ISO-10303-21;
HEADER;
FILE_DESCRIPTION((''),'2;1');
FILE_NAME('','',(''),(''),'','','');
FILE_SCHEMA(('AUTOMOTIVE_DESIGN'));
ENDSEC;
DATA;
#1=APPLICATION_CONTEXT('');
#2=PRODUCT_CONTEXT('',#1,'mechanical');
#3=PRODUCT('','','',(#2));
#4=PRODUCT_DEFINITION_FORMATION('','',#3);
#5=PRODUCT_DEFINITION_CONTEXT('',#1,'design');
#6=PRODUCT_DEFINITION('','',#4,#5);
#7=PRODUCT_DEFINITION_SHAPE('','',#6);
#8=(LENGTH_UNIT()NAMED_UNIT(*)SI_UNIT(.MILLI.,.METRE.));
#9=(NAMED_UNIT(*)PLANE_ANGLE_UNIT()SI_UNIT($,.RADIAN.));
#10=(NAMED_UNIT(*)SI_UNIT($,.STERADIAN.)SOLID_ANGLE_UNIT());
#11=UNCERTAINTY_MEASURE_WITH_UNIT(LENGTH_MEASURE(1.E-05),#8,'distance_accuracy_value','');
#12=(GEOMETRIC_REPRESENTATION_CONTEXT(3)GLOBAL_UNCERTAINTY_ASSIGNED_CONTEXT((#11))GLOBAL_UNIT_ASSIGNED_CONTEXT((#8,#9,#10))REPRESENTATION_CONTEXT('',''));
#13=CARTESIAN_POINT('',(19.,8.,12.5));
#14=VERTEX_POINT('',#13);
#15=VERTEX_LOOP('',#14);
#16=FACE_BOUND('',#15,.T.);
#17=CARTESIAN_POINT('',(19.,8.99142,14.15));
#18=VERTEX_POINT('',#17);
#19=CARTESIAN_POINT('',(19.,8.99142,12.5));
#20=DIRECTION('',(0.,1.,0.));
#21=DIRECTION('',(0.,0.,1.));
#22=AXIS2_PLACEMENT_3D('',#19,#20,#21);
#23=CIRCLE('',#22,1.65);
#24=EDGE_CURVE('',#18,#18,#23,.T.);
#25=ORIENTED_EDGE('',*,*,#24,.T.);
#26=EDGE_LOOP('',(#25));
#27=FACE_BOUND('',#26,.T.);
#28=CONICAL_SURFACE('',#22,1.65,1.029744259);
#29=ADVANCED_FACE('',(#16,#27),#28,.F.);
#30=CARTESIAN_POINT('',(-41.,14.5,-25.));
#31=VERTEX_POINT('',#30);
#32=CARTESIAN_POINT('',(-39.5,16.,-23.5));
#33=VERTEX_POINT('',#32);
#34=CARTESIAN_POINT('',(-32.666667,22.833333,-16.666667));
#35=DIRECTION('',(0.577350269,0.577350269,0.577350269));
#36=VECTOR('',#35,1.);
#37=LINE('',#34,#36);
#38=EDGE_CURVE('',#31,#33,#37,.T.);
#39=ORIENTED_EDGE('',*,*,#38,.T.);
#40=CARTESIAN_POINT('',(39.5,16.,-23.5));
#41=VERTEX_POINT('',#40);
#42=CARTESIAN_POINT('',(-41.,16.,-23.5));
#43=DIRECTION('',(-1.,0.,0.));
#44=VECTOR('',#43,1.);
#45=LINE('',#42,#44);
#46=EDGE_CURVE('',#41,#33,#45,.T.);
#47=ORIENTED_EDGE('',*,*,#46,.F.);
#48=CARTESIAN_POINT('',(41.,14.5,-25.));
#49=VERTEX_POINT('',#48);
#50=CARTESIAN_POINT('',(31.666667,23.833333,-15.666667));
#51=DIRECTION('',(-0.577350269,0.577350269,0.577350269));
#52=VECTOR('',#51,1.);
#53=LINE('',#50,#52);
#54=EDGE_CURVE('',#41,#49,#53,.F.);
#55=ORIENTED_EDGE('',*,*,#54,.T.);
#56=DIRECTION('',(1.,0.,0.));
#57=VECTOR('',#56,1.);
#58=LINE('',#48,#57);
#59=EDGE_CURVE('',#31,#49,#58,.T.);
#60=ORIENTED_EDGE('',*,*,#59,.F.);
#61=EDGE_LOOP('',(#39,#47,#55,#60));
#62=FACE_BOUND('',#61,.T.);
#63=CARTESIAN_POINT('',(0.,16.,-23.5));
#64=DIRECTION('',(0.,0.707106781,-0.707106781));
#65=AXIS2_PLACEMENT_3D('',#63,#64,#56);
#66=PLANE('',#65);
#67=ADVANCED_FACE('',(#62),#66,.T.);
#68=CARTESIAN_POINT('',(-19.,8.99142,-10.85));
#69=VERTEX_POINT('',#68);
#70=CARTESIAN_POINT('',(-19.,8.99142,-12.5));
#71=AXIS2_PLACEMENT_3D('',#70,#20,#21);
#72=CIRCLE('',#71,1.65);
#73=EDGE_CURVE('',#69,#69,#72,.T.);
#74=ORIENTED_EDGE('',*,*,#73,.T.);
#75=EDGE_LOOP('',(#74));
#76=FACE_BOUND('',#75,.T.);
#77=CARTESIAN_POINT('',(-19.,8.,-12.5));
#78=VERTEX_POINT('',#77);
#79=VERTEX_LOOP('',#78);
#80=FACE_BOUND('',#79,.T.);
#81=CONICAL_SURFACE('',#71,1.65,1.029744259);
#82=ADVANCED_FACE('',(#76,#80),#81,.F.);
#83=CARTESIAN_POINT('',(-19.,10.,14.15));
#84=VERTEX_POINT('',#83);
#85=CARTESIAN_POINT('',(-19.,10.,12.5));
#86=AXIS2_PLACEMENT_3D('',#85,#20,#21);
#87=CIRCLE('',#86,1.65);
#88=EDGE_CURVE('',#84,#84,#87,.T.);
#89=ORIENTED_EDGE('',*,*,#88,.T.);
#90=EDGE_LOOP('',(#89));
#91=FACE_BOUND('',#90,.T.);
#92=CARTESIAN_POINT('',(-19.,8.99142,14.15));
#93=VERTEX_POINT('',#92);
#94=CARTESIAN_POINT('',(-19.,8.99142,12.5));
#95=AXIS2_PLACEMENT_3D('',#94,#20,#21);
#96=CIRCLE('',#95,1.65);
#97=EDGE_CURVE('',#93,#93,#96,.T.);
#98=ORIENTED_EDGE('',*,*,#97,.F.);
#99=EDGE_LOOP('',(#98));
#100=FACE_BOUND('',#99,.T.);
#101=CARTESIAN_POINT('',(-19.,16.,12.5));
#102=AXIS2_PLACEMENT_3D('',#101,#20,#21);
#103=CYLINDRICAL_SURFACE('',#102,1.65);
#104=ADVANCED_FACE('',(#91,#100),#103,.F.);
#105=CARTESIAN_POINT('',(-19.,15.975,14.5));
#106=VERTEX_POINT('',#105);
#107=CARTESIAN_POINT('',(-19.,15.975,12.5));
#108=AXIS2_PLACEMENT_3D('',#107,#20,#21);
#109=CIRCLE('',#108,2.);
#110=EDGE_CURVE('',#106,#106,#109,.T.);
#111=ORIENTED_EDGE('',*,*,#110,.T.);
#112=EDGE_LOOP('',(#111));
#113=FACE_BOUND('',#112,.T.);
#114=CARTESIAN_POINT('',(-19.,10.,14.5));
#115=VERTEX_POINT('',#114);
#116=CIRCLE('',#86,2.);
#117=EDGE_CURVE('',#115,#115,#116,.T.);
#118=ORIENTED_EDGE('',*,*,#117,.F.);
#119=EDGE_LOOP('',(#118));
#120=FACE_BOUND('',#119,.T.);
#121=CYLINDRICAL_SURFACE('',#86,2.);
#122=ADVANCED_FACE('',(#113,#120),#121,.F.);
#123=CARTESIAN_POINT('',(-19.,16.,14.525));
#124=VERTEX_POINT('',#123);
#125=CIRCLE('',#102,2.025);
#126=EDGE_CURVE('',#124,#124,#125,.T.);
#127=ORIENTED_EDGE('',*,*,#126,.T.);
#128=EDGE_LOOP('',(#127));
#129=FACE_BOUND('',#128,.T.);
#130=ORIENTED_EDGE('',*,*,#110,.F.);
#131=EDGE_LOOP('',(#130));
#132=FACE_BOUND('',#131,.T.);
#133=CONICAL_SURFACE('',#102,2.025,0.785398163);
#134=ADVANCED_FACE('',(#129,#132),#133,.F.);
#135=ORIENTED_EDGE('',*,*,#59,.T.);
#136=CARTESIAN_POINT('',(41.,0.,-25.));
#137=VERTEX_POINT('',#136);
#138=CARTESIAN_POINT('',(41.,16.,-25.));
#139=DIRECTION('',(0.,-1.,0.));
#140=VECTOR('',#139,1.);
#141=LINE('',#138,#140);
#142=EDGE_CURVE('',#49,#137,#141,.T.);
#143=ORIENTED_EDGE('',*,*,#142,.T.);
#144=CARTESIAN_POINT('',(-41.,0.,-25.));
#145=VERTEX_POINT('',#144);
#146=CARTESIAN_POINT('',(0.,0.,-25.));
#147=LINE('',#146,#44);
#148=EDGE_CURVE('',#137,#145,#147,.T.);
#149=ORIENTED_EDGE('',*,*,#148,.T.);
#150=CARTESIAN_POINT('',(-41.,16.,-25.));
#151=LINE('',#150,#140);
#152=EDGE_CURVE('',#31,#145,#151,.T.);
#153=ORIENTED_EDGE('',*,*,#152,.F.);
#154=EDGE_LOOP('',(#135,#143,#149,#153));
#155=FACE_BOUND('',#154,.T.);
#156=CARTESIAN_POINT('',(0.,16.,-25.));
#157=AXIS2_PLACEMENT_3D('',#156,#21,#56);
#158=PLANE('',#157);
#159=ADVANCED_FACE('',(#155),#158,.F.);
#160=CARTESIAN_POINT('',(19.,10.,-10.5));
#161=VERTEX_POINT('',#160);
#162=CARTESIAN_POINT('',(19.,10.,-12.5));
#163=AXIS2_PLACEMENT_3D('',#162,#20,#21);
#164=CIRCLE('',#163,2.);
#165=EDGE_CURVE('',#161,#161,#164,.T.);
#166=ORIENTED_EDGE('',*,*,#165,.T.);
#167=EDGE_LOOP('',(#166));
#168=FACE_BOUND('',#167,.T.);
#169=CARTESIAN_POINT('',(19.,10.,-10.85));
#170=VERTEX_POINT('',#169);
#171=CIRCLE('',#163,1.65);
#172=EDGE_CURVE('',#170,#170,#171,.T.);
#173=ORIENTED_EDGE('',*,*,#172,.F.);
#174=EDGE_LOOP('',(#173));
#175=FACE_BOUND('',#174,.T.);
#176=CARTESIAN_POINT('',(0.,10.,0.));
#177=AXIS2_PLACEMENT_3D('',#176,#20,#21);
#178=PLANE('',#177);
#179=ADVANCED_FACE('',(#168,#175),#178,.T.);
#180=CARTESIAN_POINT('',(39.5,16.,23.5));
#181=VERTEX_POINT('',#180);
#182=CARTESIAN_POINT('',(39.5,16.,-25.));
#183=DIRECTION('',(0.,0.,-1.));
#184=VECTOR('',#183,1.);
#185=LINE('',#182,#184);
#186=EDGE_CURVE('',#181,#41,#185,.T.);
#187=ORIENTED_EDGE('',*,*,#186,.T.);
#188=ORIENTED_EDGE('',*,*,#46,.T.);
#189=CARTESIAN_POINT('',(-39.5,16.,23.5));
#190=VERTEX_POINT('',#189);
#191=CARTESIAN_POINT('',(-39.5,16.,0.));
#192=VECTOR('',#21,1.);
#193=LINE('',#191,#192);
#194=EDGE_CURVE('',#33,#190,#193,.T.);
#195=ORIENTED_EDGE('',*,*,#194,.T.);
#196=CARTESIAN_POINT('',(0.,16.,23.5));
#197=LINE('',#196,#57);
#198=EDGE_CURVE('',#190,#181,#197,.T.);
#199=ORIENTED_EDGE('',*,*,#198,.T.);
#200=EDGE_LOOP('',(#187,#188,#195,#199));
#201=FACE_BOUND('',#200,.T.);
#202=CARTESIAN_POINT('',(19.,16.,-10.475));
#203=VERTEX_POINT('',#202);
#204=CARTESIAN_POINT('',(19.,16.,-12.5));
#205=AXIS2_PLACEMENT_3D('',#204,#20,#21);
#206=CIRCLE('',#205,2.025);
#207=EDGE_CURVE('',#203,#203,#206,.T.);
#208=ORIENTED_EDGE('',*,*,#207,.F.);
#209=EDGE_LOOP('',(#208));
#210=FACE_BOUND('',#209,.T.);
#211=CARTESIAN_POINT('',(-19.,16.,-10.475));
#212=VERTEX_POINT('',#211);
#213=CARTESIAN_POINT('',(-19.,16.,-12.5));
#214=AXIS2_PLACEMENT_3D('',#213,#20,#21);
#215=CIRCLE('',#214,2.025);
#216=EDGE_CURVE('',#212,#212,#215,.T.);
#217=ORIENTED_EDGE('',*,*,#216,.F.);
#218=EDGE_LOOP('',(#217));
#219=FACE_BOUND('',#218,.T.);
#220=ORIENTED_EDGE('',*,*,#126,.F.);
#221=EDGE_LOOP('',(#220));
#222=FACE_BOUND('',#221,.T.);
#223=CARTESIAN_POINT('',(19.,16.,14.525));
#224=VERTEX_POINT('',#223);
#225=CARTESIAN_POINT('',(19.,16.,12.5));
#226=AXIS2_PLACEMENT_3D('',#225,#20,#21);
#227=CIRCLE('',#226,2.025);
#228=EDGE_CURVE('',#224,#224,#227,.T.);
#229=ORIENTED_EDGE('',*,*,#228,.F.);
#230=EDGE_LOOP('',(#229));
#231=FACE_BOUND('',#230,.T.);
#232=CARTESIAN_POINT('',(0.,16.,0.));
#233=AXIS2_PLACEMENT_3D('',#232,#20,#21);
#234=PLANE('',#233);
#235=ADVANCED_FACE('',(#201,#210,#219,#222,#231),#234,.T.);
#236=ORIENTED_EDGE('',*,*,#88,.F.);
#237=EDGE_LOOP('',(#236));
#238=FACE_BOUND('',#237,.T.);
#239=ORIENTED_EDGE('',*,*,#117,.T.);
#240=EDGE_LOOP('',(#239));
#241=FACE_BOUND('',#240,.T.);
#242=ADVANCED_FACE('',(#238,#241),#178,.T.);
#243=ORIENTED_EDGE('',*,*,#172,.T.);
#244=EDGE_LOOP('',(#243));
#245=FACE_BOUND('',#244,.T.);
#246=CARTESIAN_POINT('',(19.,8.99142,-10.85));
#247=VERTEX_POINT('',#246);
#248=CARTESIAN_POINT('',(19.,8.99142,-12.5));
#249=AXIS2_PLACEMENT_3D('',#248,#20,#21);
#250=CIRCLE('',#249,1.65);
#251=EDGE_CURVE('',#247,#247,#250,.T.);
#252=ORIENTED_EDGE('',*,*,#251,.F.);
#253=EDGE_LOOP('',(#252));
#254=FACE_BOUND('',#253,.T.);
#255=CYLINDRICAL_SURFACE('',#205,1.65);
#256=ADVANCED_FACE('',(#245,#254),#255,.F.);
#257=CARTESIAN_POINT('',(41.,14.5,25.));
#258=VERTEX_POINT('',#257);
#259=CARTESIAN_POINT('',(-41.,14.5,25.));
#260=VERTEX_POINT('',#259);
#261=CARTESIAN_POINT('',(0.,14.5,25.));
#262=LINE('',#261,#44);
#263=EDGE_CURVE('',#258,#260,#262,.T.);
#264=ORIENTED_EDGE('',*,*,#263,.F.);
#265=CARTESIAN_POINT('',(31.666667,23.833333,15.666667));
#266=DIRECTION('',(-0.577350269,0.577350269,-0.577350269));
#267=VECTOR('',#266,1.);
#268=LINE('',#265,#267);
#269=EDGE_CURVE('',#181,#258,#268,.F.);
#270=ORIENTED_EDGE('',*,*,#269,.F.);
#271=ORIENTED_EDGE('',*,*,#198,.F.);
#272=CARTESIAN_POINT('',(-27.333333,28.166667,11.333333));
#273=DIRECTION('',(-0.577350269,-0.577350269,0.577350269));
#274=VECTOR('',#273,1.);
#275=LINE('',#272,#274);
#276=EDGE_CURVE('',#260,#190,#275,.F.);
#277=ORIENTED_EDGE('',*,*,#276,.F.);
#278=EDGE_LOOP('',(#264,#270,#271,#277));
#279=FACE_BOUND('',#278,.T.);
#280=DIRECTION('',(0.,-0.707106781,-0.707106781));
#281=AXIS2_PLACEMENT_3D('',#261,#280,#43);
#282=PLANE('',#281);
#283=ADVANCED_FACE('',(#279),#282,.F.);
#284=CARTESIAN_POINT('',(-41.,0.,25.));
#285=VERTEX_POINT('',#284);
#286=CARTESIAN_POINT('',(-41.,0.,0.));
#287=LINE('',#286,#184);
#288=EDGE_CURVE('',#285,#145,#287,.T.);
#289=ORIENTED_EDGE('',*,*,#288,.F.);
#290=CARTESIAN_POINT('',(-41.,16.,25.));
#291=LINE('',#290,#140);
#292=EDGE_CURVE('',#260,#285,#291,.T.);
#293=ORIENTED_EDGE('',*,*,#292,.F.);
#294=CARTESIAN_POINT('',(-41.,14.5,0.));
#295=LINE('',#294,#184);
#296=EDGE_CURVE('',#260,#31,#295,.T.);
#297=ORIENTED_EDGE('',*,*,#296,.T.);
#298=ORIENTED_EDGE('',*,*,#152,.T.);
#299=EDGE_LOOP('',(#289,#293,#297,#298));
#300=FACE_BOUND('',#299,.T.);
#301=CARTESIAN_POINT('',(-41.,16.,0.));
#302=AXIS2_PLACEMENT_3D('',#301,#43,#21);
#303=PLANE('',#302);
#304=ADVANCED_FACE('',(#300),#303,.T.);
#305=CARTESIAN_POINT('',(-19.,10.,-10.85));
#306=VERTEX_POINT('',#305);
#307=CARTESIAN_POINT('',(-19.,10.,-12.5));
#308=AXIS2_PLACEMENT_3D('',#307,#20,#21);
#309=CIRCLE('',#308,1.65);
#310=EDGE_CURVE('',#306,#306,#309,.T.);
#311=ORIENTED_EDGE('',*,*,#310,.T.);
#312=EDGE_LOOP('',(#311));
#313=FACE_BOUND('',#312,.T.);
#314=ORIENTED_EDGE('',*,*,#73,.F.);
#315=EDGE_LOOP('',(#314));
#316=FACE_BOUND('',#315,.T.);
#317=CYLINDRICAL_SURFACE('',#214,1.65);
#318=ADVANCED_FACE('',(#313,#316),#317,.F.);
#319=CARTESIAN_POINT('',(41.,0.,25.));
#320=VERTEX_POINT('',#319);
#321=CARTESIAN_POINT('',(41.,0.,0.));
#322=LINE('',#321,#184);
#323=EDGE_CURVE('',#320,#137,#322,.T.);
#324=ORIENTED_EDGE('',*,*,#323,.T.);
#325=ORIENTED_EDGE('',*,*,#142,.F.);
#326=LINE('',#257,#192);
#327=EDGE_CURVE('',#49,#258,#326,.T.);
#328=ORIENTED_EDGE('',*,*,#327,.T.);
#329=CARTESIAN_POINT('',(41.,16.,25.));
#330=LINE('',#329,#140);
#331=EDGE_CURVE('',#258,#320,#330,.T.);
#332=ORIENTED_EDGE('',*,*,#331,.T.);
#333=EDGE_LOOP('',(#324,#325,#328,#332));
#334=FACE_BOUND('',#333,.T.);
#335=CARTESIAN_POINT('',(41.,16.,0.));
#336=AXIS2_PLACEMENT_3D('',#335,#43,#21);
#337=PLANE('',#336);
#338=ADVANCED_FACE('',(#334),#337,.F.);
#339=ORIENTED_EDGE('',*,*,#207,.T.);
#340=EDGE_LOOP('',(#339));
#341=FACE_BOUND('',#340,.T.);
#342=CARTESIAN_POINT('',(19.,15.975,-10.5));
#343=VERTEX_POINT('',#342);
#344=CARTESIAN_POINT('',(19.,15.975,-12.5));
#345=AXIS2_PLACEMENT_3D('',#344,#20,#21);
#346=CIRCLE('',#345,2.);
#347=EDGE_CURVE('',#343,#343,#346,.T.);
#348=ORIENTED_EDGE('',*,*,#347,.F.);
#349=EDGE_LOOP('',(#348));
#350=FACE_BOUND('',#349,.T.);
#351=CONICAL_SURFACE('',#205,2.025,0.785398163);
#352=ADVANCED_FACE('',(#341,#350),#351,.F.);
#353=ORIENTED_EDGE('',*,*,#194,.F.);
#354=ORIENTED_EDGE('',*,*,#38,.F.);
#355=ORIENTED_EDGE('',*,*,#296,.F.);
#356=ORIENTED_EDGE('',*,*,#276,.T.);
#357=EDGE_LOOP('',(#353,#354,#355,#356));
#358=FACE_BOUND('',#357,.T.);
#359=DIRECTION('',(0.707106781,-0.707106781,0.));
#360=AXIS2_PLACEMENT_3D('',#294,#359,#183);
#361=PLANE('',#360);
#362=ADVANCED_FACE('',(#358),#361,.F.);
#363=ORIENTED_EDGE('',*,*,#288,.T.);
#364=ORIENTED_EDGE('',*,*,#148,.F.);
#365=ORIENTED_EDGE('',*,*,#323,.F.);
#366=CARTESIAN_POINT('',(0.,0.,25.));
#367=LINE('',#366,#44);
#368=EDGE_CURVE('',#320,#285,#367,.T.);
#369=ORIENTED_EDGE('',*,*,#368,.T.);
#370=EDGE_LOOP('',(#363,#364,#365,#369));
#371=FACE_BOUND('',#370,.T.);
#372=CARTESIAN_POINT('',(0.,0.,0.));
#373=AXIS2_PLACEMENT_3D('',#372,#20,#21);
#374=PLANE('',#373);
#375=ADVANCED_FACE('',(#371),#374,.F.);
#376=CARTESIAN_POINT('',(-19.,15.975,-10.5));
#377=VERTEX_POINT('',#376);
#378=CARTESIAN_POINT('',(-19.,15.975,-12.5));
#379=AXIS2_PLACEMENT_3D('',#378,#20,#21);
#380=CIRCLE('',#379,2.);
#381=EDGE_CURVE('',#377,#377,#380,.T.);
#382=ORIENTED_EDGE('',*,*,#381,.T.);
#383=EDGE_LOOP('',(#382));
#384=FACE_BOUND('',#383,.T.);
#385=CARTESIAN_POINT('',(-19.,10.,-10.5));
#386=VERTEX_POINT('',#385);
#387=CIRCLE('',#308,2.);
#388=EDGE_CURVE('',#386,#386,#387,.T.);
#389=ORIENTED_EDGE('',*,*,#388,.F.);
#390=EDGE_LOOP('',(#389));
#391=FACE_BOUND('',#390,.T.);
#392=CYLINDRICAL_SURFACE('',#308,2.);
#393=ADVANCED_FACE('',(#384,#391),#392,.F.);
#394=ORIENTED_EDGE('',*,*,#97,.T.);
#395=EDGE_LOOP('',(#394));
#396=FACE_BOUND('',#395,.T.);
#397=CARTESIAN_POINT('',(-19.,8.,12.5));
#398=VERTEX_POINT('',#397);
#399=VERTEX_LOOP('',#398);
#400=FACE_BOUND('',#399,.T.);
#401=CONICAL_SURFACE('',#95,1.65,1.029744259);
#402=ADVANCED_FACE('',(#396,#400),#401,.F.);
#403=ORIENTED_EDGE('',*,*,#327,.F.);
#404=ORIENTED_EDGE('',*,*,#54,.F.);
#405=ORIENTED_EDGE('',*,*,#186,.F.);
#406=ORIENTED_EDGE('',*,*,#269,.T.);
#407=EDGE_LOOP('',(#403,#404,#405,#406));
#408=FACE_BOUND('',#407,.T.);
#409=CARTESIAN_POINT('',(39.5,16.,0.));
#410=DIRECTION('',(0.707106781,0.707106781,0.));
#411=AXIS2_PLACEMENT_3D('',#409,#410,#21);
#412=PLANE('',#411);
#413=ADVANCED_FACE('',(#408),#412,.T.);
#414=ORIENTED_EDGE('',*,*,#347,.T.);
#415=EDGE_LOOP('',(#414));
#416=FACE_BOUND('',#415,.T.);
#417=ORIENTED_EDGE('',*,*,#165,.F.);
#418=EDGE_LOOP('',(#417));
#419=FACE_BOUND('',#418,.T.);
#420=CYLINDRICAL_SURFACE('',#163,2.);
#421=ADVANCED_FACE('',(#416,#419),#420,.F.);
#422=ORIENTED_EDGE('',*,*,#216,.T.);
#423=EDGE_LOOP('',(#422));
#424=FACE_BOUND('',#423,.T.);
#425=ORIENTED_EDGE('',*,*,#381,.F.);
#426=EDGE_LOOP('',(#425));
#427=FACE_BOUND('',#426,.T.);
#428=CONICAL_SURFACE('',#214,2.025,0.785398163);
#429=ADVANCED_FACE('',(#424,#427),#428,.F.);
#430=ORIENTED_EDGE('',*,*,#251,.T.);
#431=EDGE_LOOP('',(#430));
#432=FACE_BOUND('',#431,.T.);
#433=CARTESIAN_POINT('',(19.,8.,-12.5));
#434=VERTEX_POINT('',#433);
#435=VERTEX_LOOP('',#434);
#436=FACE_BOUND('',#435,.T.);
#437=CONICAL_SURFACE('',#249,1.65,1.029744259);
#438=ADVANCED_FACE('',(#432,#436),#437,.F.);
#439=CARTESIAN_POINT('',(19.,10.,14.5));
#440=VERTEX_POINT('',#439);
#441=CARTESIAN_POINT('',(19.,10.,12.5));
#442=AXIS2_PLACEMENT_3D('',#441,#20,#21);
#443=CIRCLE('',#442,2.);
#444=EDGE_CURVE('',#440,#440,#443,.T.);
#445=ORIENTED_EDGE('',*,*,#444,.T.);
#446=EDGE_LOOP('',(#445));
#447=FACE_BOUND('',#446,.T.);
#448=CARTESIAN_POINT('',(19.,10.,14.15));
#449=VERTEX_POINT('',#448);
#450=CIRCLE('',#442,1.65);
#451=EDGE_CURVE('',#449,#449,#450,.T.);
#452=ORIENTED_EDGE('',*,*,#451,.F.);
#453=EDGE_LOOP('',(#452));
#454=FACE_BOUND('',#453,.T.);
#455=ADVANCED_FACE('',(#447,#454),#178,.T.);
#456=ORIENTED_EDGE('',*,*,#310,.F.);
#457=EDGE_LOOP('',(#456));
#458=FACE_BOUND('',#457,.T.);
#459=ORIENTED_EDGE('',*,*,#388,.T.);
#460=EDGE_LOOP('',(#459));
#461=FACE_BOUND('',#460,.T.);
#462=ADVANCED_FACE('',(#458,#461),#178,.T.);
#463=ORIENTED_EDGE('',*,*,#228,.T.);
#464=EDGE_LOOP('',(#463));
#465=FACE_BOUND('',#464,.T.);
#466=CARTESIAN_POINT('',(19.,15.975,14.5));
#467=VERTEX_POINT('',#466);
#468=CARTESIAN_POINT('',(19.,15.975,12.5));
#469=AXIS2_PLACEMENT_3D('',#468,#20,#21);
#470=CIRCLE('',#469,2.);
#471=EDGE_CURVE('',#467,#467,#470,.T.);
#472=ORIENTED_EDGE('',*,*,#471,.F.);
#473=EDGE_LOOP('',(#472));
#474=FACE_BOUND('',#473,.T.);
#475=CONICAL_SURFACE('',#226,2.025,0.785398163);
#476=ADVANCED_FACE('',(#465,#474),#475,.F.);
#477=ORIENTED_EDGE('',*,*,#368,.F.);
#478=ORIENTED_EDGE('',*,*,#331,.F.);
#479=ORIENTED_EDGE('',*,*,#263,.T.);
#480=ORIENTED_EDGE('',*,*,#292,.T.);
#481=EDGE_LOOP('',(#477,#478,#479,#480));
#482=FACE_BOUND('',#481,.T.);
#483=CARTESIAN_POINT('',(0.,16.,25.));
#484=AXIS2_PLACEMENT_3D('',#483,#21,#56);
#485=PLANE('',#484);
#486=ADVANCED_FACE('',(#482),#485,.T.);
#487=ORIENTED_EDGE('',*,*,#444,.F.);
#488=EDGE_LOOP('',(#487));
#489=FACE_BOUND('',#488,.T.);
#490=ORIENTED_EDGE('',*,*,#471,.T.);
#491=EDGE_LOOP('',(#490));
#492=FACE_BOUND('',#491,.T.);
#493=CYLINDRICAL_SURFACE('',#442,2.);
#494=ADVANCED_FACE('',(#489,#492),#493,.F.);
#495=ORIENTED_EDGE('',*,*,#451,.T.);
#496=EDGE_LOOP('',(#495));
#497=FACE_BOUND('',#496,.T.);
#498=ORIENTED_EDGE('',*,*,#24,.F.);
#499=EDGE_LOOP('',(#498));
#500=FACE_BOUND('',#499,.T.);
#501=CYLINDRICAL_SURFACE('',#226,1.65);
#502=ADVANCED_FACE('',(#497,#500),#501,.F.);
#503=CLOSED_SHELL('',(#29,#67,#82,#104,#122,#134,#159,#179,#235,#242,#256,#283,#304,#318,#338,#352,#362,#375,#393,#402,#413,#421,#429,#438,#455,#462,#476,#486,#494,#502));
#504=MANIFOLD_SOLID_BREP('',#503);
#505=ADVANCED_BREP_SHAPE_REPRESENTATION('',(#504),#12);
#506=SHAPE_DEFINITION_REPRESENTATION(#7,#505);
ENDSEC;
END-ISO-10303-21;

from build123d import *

# Parameters (mm, degrees)
SKETCH1_W                       = 82
SKETCH1_H                       = 50
SKETCH1_R                       = 2
BOSS_EXTRUDE1_DEPTH             = 16
SKETCH2_R                       = 2
CUT_EXTRUDE1_DEPTH              = 6
M4X0_7_TAPPED_HOLE1_D           = 3.3
M4X0_7_TAPPED_HOLE1_DEPTH       = 7.008579979
M4X0_7_TAPPED_HOLE1_CSINK_D     = 4.05
M4X0_7_TAPPED_HOLE1_CSINK_ANGLE = 90
M4X0_7_TAPPED_HOLE1_TIP         = 0.991420021
CHAMFER1_SIZE                   = 1.5


with BuildPart() as part:
    # Sketch1 → Boss-Extrude1 (new body)
    # profile 1 of 5: a face of its own
    with BuildSketch(Plane(origin=(0, 0, 0), x_dir=(1, 0, 0), z_dir=(0, 1, 0))):
        Rectangle(SKETCH1_W, SKETCH1_H)
        with Locations((19, -12.5)):
            Circle(SKETCH1_R, mode=Mode.SUBTRACT)
        with Locations((-19, -12.5)):
            Circle(SKETCH1_R, mode=Mode.SUBTRACT)
        with Locations((-19, 12.5)):
            Circle(SKETCH1_R, mode=Mode.SUBTRACT)
        with Locations((19, 12.5)):
            Circle(SKETCH1_R, mode=Mode.SUBTRACT)
    # profile 2 of 5: a face of its own
    with BuildSketch(Plane(origin=(0, 0, 0), x_dir=(1, 0, 0), z_dir=(0, 1, 0))):
        with Locations((-19, 12.5)):
            Circle(SKETCH1_R)
    # profile 3 of 5: a face of its own
    with BuildSketch(Plane(origin=(0, 0, 0), x_dir=(1, 0, 0), z_dir=(0, 1, 0))):
        with Locations((19, -12.5)):
            Circle(SKETCH1_R)
    # profile 4 of 5: a face of its own
    with BuildSketch(Plane(origin=(0, 0, 0), x_dir=(1, 0, 0), z_dir=(0, 1, 0))):
        with Locations((19, 12.5)):
            Circle(SKETCH1_R)
    # profile 5 of 5: a face of its own
    with BuildSketch(Plane(origin=(0, 0, 0), x_dir=(1, 0, 0), z_dir=(0, 1, 0))):
        with Locations((-19, -12.5)):
            Circle(SKETCH1_R)
    extrude(amount=BOSS_EXTRUDE1_DEPTH)

    # Sketch2 → Cut-Extrude1 (cut)
    with BuildSketch(Plane(origin=(0, 16, 0), x_dir=(1, 0, 0), z_dir=(0, 1, 0))):
        with Locations(Location((-19, -12.5, 0), (0, 0, 270))):
            Circle(SKETCH2_R)
        with Locations(Location((-19, 12.5, 0), (0, 0, 270))):
            Circle(SKETCH2_R)
        with Locations(Location((19, -12.5, 0), (0, 0, 270))):
            Circle(SKETCH2_R)
        with Locations(Location((19, 12.5, 0), (0, 0, 270))):
            Circle(SKETCH2_R)
    extrude(amount=-CUT_EXTRUDE1_DEPTH, mode=Mode.SUBTRACT)

    # M4x0.7 Tapped Hole1
    with Locations(Plane(origin=(-19, 16, -12.5), x_dir=(0, 0, 1), z_dir=(0, 1, 0))):
        with Locations((0, 0), (0, 38), (25, 38), (25, 0)):
            CounterSinkHole(M4X0_7_TAPPED_HOLE1_D / 2, M4X0_7_TAPPED_HOLE1_CSINK_D / 2, depth=M4X0_7_TAPPED_HOLE1_DEPTH, counter_sink_angle=M4X0_7_TAPPED_HOLE1_CSINK_ANGLE)
            with Locations((0, 0, -(M4X0_7_TAPPED_HOLE1_DEPTH + M4X0_7_TAPPED_HOLE1_TIP / 2))):  # 118° drill point
                Cone(0, M4X0_7_TAPPED_HOLE1_D / 2, M4X0_7_TAPPED_HOLE1_TIP, mode=Mode.SUBTRACT)

    # Chamfer1
    chamfer1_edges = [part.edges().sort_by_distance(p)[0] for p in [
        (0, 16, 25),
        (41, 16, 0),
        (0, 16, -25),
        (-41, 16, 0),
    ]]
    chamfer(chamfer1_edges, length=CHAMFER1_SIZE)


solid = part.part
